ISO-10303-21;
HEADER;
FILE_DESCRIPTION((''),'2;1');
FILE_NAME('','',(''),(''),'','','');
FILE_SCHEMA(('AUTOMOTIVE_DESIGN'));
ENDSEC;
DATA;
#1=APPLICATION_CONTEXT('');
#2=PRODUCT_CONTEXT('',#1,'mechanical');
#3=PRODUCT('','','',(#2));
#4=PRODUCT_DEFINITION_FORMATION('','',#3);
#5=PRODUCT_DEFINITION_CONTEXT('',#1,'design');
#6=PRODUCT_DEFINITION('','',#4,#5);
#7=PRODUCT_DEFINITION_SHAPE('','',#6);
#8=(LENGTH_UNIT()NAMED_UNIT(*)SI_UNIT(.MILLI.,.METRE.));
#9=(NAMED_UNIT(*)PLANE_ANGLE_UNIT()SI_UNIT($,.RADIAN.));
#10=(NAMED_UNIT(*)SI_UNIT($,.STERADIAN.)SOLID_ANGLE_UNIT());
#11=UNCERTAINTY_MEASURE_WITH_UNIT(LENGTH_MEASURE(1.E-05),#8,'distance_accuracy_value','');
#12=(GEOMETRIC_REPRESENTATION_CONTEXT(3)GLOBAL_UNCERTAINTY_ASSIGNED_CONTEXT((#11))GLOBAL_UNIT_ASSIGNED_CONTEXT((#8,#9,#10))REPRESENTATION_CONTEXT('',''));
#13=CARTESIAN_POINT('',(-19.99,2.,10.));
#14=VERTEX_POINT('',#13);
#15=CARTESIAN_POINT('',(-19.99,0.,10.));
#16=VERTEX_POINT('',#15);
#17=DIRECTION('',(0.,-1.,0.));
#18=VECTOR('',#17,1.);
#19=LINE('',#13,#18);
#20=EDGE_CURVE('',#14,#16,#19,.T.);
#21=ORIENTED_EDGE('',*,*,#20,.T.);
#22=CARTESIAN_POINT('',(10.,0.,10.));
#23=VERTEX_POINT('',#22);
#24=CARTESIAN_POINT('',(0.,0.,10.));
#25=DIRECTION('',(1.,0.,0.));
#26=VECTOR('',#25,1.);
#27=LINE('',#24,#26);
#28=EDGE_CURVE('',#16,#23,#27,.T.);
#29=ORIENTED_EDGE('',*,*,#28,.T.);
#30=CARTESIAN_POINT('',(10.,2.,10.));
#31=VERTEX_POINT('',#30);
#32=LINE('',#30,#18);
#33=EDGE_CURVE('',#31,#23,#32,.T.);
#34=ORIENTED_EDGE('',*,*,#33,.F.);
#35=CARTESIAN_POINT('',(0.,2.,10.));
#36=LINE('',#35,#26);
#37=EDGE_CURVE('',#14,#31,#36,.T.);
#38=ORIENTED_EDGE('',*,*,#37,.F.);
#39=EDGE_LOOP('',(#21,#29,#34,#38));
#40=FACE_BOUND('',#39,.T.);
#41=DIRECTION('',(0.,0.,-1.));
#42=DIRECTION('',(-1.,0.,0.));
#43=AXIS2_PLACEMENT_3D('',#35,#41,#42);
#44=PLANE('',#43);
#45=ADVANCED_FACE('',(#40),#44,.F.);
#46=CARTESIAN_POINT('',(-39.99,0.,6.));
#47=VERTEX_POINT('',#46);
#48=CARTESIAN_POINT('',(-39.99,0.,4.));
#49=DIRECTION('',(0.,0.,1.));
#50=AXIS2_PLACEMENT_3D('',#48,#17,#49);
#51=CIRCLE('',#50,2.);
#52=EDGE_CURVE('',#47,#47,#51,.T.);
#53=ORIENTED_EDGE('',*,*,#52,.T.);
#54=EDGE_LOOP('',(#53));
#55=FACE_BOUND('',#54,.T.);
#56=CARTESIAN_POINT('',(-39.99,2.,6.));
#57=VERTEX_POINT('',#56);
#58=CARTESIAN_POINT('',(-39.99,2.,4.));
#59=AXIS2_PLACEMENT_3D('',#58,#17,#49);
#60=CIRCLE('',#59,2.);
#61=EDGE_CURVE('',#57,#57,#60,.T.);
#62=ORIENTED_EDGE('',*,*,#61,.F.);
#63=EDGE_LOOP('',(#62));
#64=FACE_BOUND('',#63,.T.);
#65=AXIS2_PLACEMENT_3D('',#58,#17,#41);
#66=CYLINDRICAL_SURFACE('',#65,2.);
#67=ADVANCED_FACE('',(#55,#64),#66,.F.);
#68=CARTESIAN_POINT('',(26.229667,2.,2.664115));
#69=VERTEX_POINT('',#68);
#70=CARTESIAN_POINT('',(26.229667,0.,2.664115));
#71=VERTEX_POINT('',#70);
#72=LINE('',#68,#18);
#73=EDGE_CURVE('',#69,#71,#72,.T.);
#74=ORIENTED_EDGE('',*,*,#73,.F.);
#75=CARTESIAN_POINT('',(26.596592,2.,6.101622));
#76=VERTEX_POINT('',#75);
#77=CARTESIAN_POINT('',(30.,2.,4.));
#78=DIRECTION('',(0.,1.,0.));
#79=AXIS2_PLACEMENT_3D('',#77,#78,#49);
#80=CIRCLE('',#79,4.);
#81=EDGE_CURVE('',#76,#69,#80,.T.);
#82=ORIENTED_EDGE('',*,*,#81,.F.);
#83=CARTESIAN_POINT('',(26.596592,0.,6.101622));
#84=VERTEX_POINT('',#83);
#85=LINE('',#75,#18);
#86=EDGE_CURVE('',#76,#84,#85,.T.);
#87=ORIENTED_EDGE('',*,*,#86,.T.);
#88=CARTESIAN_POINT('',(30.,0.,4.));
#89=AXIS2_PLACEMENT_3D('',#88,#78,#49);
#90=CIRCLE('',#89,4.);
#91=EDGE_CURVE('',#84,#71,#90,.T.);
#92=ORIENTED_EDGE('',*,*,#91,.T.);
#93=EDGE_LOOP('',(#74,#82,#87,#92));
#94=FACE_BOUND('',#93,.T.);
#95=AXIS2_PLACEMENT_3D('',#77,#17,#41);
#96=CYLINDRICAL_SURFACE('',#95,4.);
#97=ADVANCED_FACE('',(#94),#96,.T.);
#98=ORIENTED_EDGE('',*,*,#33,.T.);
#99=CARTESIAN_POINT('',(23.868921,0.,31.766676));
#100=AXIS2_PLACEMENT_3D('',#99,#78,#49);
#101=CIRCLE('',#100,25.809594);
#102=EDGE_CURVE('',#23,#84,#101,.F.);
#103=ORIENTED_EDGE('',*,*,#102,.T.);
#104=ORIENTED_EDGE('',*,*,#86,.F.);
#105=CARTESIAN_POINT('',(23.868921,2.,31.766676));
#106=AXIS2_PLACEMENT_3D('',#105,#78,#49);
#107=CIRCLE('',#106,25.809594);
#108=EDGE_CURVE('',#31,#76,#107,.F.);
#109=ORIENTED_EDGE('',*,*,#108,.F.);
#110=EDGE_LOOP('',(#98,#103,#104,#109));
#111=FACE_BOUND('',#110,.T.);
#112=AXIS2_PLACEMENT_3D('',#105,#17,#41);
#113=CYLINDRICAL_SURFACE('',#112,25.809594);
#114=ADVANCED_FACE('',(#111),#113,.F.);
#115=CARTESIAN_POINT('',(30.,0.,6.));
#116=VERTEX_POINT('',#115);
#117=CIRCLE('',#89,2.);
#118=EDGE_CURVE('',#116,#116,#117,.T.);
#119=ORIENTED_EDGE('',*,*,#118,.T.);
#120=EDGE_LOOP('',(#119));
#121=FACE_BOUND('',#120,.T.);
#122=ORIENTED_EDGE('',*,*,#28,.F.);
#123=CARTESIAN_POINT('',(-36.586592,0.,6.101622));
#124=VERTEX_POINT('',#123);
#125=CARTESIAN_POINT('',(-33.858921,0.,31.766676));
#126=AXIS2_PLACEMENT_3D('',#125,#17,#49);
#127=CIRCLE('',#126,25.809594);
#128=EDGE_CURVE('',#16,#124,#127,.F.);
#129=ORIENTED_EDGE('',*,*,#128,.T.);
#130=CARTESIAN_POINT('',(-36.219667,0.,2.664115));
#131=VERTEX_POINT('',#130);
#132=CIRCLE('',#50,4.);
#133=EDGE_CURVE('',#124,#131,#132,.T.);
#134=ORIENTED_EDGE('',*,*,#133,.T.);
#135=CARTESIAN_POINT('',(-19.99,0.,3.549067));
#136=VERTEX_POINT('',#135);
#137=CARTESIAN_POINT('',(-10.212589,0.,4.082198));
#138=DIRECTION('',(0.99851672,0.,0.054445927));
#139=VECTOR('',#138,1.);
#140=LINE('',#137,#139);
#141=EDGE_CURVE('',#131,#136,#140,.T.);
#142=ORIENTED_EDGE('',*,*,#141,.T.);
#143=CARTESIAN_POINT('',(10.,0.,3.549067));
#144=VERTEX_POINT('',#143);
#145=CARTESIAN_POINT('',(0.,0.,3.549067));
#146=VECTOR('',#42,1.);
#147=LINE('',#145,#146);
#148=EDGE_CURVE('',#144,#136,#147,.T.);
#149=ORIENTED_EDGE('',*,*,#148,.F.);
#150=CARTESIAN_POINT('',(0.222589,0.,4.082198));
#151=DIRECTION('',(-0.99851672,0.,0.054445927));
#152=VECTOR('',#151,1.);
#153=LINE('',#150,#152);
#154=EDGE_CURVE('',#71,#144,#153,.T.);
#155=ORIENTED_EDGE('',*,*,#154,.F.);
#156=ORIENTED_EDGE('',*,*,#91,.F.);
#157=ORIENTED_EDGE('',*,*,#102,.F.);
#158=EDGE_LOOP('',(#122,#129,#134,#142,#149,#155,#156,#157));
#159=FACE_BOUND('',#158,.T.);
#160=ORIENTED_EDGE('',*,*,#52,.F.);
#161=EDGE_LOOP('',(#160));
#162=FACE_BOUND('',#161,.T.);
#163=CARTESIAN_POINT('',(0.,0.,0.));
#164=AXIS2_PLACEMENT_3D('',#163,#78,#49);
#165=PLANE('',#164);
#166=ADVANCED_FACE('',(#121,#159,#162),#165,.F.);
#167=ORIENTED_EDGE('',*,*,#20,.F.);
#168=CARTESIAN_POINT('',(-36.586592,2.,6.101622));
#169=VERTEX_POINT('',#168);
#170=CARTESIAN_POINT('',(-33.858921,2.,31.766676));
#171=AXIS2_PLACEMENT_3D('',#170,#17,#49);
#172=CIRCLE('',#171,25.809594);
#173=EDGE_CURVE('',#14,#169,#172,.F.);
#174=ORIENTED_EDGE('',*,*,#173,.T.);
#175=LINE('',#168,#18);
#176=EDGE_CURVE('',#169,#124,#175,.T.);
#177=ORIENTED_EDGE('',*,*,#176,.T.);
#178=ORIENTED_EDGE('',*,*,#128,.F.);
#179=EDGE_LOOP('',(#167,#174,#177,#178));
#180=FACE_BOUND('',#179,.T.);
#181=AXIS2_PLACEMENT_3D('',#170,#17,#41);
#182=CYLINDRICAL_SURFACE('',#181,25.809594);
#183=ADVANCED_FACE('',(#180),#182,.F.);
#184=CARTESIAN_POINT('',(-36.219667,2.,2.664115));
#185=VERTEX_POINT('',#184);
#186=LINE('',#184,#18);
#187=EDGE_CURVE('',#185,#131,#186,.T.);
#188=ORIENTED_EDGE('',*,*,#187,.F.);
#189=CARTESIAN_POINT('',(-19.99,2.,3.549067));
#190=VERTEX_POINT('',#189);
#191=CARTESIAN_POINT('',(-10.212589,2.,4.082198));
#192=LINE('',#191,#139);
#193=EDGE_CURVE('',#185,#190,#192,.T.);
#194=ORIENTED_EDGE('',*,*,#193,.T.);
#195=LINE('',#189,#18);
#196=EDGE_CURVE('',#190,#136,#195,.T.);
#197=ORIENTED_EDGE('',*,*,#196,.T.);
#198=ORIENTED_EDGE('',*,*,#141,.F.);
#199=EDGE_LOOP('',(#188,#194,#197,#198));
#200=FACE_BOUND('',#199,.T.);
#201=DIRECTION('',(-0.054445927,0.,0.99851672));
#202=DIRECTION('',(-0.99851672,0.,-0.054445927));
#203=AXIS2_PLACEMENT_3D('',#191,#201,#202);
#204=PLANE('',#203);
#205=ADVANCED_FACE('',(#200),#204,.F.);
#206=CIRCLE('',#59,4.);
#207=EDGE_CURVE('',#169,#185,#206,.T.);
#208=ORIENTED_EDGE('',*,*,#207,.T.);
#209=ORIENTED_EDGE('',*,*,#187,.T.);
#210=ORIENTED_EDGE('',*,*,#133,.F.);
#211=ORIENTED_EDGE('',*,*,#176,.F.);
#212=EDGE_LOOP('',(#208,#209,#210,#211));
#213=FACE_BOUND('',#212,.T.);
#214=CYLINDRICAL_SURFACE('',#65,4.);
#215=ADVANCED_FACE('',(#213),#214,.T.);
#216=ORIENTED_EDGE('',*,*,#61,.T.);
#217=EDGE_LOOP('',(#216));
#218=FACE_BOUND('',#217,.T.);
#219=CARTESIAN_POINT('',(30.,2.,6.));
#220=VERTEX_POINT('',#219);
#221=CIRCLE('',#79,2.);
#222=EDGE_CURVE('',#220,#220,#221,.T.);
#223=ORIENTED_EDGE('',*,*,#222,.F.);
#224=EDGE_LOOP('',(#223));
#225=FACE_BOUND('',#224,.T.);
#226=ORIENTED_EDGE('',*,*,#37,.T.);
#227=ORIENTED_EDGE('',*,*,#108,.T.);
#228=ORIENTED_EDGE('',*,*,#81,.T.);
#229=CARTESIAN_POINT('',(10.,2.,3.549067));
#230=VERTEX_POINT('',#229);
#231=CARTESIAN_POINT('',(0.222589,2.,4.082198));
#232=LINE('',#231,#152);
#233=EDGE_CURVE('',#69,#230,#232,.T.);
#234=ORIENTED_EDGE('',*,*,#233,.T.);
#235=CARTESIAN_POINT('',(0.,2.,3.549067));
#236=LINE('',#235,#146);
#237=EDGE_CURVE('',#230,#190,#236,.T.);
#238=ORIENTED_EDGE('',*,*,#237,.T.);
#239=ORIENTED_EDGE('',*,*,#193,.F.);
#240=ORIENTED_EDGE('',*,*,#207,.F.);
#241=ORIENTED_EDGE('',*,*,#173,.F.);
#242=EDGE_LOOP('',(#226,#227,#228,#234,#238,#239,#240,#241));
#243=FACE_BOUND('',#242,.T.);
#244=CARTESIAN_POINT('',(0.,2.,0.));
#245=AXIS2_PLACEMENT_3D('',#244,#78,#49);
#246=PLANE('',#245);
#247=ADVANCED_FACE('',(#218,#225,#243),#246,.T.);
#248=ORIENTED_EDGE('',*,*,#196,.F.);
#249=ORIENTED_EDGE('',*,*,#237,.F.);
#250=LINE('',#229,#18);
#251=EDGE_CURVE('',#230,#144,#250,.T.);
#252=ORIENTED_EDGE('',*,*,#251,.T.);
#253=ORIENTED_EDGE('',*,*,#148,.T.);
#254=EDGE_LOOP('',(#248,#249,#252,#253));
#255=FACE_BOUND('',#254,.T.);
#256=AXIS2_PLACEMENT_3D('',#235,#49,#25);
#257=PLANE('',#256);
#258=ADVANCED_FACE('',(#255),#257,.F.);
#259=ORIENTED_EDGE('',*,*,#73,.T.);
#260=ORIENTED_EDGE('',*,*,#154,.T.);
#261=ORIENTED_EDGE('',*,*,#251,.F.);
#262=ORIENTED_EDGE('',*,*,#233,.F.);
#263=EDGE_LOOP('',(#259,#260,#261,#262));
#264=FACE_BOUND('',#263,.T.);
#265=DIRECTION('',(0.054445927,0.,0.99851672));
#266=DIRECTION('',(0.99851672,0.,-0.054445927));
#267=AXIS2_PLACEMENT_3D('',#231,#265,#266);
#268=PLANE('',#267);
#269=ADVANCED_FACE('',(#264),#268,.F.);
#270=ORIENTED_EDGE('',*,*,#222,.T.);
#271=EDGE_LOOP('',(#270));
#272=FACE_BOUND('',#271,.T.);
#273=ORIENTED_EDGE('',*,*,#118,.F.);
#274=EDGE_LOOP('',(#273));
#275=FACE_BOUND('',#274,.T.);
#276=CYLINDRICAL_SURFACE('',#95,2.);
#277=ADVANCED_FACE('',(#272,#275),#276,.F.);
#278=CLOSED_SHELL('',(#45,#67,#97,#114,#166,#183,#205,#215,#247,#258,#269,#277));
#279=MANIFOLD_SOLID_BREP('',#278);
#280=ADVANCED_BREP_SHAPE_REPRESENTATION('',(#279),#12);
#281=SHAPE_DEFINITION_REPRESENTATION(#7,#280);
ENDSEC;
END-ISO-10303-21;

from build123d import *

# Parameters (mm, degrees)
SKETCH1_R           = 4
SKETCH1_R_2         = 2
BOSS_EXTRUDE1_DEPTH = 2
SKETCH3_W           = 40.799195599
SKETCH3_H           = 10.791683918
CUT_EXTRUDE1_DEPTH  = 10
SKETCH4_W           = 4.995
SKETCH4_H           = 6.450932821
BOSS_EXTRUDE2_DEPTH = 2


with BuildPart() as part:
    # Sketch1 → Boss-Extrude1 (new body)
    # profile 1 of 3: a face of its own
    with BuildSketch(Plane(origin=(0, 0, 0), x_dir=(1, 0, 0), z_dir=(0, 1, 0))):
        with BuildLine():
            ThreePointArc((26.59659241, -6.101622416), (26.022594709, -4.424555239), (26.229666852, -2.664115292))
            Line((26.229666852, -2.664115292), (10, -3.549067179))
            Line((10, -3.549067179), (-10, -3.549067179))
            Line((-10, -3.549067179), (-26.229666852, -2.664115292))
            ThreePointArc((-26.229666852, -2.664115292), (-26.057834821, -3.32225838), (-26, -4))
            ThreePointArc((-26, -4), (-26.152037529, -5.092329996), (-26.59659241, -6.101622416))
            ThreePointArc((-26.59659241, -6.101622416), (-17.96712489, -6.640913059), (-10, -10))
            Line((-10, -10), (10, -10))
            ThreePointArc((10, -10), (17.96712489, -6.640913059), (26.59659241, -6.101622416))
        make_face()
    # profile 2 of 3: a face of its own
    with BuildSketch(Plane(origin=(0, 0, 0), x_dir=(1, 0, 0), z_dir=(0, 1, 0))):
        with Locations((-30, -4)):
            Circle(SKETCH1_R)
        with Locations(Location((-30, -4, 0), (0, 0, 270))):
            Circle(SKETCH1_R_2, mode=Mode.SUBTRACT)
    # profile 3 of 3: a face of its own
    with BuildSketch(Plane(origin=(0, 0, 0), x_dir=(1, 0, 0), z_dir=(0, 1, 0))):
        with Locations((30, -4)):
            Circle(SKETCH1_R)
        with Locations(Location((30, -4, 0), (0, 0, 270))):
            Circle(SKETCH1_R_2, mode=Mode.SUBTRACT)
    extrude(amount=BOSS_EXTRUDE1_DEPTH)

    # Sketch3 → Cut-Extrude1 (cut)
    with BuildSketch(Plane(origin=(0, 2, 0), x_dir=(1, 0, 0), z_dir=(0, 1, 0))):
        with Locations((-20.3995978, -4.604158041)):
            Rectangle(SKETCH3_W, SKETCH3_H)
    extrude(amount=-CUT_EXTRUDE1_DEPTH, mode=Mode.SUBTRACT)

    # Sketch4 → Boss-Extrude2 (add)
    with BuildSketch(Plane(origin=(0, 2, 0), x_dir=(1, 0, 0), z_dir=(0, 1, 0))):
        with Locations((-2.4975, -6.774533589)):
            Rectangle(SKETCH4_W, SKETCH4_H)
    extrude(amount=-BOSS_EXTRUDE2_DEPTH)

    # Mirror3: part across plane


with BuildPart() as part_1:
    add(part.part)
    add(part.part.mirror(Plane.ZY.offset(4.995)))


solid = part_1.part
